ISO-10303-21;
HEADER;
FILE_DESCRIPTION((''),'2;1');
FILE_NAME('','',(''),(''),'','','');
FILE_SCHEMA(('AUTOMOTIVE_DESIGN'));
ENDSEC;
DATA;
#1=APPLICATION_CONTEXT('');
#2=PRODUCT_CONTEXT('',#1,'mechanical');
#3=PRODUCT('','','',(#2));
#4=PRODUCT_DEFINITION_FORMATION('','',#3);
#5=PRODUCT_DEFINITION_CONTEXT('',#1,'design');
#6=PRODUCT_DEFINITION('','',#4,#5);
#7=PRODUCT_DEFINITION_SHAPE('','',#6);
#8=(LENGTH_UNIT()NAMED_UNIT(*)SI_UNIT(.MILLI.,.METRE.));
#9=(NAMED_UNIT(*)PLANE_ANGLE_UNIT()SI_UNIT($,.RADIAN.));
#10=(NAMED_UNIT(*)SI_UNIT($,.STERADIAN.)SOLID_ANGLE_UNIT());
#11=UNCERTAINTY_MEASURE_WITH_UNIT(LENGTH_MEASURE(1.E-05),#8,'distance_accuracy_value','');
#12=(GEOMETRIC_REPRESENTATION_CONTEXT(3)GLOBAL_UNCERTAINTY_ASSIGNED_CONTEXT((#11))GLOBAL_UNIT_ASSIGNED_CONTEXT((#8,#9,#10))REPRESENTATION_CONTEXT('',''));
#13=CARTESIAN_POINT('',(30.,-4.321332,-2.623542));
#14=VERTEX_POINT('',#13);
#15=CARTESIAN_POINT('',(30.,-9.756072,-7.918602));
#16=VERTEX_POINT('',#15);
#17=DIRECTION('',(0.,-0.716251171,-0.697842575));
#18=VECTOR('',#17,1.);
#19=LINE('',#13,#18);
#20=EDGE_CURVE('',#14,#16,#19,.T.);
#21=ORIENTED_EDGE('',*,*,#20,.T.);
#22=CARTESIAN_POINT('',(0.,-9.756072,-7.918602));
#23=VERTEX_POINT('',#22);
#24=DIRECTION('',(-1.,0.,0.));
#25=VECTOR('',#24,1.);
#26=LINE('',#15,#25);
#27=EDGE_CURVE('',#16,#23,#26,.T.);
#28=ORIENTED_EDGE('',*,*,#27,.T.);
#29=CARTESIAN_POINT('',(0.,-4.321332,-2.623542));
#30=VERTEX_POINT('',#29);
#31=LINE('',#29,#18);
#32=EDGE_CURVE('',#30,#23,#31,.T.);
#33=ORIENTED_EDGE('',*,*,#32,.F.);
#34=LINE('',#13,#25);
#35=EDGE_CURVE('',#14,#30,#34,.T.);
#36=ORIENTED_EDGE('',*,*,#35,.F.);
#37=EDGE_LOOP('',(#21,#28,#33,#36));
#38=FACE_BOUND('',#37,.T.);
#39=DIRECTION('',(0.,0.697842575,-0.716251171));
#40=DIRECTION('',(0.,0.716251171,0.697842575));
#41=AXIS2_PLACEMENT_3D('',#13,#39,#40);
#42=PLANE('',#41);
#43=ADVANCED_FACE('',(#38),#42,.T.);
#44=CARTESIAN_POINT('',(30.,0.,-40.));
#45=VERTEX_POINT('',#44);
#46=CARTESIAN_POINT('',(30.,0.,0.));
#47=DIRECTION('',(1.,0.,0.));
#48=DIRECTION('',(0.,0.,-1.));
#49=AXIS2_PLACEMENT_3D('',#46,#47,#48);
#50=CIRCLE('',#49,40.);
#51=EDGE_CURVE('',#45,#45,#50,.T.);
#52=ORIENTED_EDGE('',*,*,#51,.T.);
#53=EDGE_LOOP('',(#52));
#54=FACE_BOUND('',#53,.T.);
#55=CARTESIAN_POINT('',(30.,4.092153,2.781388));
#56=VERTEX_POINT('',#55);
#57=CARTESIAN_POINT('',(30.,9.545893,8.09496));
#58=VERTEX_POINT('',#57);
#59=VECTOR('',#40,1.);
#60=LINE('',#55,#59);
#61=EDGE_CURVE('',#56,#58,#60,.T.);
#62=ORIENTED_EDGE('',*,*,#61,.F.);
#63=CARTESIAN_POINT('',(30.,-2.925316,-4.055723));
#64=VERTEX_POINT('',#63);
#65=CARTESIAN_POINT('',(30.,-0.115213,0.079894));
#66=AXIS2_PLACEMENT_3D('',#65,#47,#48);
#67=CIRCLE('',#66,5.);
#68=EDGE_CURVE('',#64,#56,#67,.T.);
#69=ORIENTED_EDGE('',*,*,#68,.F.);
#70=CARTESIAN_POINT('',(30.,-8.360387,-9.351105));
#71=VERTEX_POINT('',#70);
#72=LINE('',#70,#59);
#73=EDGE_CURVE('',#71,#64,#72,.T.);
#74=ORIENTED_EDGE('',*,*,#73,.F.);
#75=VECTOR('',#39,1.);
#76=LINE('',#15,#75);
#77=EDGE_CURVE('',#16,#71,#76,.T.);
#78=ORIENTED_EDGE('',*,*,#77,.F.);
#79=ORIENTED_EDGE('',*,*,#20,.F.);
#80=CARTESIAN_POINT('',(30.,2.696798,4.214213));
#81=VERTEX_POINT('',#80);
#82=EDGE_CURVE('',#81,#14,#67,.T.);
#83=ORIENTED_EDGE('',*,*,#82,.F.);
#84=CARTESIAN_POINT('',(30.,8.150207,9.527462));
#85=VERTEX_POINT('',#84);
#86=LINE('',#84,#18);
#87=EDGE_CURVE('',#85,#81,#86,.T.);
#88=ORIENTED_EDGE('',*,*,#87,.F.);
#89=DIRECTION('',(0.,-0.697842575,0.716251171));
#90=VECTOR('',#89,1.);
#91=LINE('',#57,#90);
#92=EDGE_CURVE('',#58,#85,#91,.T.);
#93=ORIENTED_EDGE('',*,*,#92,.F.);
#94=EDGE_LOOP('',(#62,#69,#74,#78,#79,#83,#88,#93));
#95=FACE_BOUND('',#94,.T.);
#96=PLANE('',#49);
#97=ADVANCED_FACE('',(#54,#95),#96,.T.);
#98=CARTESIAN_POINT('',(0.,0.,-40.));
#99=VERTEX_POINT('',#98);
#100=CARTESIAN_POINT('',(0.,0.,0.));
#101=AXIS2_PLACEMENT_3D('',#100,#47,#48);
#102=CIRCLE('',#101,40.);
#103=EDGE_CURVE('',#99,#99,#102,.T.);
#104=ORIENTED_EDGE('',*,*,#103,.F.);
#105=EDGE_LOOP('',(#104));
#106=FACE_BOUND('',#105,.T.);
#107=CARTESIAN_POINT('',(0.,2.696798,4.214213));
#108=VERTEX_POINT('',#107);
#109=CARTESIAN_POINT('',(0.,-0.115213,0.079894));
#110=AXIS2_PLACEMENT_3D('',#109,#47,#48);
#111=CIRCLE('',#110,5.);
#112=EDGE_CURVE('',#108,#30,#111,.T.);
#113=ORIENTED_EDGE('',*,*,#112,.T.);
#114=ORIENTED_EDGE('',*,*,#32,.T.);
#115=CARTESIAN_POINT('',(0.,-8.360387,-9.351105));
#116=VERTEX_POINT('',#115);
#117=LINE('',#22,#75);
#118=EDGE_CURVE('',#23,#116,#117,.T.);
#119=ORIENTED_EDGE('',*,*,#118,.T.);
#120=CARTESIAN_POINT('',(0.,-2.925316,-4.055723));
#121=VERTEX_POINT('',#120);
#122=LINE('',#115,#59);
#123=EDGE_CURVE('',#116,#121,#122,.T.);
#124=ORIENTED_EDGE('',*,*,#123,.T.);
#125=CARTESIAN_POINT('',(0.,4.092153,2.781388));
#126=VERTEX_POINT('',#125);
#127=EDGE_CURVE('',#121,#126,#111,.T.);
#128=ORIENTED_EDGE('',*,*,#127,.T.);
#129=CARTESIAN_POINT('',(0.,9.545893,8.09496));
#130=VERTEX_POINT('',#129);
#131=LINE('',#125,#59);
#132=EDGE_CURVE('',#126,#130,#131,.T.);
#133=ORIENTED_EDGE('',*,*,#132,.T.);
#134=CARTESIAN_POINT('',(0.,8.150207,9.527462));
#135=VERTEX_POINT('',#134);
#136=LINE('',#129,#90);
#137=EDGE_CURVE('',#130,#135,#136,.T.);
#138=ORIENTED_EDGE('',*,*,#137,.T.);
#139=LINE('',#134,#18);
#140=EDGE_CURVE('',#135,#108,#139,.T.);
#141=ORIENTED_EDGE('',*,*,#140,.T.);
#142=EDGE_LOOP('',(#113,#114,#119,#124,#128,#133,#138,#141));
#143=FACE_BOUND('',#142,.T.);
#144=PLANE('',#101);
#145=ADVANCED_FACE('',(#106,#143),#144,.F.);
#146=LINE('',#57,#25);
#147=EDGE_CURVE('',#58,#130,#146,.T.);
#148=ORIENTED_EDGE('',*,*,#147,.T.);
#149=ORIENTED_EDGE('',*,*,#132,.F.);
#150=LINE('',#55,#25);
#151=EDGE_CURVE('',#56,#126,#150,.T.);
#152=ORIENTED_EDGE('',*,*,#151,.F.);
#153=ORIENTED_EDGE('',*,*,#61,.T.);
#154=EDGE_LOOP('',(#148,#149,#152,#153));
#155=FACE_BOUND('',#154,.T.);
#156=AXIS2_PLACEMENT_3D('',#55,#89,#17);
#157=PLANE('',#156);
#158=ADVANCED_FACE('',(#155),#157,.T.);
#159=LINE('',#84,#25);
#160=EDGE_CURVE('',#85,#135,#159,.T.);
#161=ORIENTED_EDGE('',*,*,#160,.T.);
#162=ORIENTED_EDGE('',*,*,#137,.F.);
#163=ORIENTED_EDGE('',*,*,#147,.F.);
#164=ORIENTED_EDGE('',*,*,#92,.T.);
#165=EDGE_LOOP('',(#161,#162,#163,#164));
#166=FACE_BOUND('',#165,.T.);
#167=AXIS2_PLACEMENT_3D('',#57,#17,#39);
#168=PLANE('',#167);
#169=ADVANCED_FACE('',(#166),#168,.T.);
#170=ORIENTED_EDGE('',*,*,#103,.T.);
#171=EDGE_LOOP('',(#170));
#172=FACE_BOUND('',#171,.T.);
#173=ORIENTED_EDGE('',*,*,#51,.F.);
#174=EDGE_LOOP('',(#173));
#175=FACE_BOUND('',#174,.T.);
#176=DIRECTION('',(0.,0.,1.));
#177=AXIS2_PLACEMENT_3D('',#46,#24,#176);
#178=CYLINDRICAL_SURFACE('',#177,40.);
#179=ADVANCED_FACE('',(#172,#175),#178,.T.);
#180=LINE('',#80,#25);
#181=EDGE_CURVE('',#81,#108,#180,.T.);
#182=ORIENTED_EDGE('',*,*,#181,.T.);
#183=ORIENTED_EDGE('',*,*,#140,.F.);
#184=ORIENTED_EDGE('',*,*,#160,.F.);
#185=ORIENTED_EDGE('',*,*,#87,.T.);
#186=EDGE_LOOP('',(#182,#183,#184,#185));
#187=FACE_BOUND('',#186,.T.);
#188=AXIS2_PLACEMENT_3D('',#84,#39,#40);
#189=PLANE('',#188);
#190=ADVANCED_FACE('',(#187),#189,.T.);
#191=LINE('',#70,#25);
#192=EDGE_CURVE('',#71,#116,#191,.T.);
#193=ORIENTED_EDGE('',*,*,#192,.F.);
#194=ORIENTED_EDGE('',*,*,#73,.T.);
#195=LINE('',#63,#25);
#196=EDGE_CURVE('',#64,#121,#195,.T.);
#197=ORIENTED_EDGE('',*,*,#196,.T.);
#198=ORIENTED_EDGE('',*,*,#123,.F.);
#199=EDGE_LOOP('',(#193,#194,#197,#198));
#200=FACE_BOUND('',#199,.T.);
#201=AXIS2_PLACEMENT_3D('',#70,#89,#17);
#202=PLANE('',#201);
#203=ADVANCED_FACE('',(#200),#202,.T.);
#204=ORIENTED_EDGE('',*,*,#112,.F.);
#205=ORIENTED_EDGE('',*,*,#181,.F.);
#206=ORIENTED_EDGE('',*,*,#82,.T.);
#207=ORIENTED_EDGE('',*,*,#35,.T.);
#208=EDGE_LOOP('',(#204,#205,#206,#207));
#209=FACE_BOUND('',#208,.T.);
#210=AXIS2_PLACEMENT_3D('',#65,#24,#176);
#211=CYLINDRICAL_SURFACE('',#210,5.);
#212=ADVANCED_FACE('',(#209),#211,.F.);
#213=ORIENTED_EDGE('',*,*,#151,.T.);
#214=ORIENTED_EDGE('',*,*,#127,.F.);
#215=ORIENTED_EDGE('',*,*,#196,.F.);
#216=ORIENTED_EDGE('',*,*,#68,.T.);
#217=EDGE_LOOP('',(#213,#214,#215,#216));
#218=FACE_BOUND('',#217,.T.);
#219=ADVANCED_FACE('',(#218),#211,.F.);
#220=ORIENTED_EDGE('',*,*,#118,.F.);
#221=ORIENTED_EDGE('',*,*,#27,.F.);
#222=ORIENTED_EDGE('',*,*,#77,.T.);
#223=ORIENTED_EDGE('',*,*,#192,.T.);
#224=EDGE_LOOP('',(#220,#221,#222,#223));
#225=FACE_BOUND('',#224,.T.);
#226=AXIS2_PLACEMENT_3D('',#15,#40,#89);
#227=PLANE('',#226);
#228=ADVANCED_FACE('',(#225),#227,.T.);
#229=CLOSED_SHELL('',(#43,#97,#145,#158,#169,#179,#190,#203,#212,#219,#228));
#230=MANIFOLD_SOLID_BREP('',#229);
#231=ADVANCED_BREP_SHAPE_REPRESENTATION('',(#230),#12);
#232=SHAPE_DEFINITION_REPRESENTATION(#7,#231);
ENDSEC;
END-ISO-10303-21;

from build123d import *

# Parameters (mm, degrees)
SKETCH_1_R          = 40
EXTRUDE_1_DEPTH     = 30
CUT_EXTRUDE_1_DEPTH = 31


with BuildPart() as part:
    # 草图1 → 凸台-拉伸1 (new body)
    with BuildSketch(Plane(origin=(0, 0, 0), x_dir=(0, 0, -1), z_dir=(1, 0, 0))):
        Circle(SKETCH_1_R)
    extrude(amount=EXTRUDE_1_DEPTH)

    # 草图2 → 切除-拉伸1 (cut, through all)
    with BuildSketch(Plane(origin=(0, 0, 0), x_dir=(0, 0, -1), z_dir=(1, 0, 0))):
        with BuildLine():
            Line((2.623542319, -4.321331792), (7.918602352, -9.756071778))
            Line((7.918602352, -9.756071778), (9.351104694, -8.360386627))
            Line((9.351104694, -8.360386627), (4.055722569, -2.925316052))
            ThreePointArc((4.055722569, -2.925316052), (3.501362158, 3.37399969), (-2.781388072, 4.092152751))
            Line((-2.781388072, 4.092152751), (-8.094959692, 9.545892647))
            Line((-8.094959692, 9.545892647), (-9.527462034, 8.150207496))
            Line((-9.527462034, 8.150207496), (-4.214212506, 2.696798189))
            ThreePointArc((-4.214212506, 2.696798189), (-3.661149551, -3.604426065), (2.623542319, -4.321331792))
        make_face()
    extrude(amount=CUT_EXTRUDE_1_DEPTH, mode=Mode.SUBTRACT)


solid = part.part
